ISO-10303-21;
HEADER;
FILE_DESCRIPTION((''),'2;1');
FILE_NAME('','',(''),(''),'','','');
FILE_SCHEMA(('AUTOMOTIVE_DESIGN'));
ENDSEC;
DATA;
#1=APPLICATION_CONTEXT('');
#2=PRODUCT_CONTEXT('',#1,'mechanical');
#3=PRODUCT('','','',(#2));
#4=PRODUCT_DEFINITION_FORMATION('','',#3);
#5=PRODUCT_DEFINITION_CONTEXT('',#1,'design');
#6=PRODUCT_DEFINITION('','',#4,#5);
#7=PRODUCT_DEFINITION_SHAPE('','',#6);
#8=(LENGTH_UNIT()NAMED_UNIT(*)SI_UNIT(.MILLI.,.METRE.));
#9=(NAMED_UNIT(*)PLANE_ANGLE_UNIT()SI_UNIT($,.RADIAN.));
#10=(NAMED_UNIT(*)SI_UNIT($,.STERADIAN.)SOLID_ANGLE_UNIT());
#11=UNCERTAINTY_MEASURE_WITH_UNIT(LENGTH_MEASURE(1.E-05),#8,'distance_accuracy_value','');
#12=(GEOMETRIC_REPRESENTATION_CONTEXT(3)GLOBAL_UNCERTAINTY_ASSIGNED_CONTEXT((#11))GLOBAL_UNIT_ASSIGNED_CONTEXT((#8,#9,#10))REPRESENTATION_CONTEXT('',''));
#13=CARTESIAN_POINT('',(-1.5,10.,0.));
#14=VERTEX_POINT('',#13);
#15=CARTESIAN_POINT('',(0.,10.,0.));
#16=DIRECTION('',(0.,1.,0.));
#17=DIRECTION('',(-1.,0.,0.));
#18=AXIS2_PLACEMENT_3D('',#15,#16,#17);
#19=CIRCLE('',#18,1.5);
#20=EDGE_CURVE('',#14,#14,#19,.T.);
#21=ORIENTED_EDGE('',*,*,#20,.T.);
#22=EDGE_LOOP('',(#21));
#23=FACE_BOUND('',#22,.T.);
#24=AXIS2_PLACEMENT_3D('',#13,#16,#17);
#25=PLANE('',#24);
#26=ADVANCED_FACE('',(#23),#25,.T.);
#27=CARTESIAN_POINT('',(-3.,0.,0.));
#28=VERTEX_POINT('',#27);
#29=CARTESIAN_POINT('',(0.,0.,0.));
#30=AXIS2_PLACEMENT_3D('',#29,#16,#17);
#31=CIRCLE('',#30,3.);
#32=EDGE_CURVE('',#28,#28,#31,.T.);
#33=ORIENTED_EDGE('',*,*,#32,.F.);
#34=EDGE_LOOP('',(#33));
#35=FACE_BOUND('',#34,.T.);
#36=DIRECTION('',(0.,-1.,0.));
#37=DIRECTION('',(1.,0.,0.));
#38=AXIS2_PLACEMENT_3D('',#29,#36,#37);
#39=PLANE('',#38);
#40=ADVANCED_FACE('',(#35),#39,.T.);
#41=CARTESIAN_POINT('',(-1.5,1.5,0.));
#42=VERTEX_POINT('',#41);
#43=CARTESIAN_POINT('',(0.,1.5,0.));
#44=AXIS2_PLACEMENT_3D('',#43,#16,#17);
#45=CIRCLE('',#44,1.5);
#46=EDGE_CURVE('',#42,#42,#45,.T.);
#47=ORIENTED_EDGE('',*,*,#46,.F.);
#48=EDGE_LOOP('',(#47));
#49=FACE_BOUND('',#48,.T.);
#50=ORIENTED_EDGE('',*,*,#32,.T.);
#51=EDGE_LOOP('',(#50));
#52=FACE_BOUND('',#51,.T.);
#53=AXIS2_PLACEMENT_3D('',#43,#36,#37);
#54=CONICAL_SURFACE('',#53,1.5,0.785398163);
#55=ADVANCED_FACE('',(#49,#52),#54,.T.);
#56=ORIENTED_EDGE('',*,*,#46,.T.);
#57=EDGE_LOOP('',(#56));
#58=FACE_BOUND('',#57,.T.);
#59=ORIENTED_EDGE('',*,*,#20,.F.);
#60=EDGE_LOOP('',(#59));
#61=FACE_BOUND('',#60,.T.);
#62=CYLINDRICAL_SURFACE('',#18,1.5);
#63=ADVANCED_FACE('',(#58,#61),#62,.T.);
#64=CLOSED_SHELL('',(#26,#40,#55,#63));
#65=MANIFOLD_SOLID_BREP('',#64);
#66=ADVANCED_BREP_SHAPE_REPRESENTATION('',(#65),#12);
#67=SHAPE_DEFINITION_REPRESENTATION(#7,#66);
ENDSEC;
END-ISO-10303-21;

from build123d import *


with BuildPart() as part:
    # Эскиз1 → Revolve 353 (revolve)
    with BuildSketch(Plane.XY):
        Polygon((0, 0), (-3, 0), (-1.5, 1.5), (-1.5, 10), (0, 10), align=None)
    revolve(axis=Axis((0, 10, 0), (0, -1, 0)))


solid = part.part
